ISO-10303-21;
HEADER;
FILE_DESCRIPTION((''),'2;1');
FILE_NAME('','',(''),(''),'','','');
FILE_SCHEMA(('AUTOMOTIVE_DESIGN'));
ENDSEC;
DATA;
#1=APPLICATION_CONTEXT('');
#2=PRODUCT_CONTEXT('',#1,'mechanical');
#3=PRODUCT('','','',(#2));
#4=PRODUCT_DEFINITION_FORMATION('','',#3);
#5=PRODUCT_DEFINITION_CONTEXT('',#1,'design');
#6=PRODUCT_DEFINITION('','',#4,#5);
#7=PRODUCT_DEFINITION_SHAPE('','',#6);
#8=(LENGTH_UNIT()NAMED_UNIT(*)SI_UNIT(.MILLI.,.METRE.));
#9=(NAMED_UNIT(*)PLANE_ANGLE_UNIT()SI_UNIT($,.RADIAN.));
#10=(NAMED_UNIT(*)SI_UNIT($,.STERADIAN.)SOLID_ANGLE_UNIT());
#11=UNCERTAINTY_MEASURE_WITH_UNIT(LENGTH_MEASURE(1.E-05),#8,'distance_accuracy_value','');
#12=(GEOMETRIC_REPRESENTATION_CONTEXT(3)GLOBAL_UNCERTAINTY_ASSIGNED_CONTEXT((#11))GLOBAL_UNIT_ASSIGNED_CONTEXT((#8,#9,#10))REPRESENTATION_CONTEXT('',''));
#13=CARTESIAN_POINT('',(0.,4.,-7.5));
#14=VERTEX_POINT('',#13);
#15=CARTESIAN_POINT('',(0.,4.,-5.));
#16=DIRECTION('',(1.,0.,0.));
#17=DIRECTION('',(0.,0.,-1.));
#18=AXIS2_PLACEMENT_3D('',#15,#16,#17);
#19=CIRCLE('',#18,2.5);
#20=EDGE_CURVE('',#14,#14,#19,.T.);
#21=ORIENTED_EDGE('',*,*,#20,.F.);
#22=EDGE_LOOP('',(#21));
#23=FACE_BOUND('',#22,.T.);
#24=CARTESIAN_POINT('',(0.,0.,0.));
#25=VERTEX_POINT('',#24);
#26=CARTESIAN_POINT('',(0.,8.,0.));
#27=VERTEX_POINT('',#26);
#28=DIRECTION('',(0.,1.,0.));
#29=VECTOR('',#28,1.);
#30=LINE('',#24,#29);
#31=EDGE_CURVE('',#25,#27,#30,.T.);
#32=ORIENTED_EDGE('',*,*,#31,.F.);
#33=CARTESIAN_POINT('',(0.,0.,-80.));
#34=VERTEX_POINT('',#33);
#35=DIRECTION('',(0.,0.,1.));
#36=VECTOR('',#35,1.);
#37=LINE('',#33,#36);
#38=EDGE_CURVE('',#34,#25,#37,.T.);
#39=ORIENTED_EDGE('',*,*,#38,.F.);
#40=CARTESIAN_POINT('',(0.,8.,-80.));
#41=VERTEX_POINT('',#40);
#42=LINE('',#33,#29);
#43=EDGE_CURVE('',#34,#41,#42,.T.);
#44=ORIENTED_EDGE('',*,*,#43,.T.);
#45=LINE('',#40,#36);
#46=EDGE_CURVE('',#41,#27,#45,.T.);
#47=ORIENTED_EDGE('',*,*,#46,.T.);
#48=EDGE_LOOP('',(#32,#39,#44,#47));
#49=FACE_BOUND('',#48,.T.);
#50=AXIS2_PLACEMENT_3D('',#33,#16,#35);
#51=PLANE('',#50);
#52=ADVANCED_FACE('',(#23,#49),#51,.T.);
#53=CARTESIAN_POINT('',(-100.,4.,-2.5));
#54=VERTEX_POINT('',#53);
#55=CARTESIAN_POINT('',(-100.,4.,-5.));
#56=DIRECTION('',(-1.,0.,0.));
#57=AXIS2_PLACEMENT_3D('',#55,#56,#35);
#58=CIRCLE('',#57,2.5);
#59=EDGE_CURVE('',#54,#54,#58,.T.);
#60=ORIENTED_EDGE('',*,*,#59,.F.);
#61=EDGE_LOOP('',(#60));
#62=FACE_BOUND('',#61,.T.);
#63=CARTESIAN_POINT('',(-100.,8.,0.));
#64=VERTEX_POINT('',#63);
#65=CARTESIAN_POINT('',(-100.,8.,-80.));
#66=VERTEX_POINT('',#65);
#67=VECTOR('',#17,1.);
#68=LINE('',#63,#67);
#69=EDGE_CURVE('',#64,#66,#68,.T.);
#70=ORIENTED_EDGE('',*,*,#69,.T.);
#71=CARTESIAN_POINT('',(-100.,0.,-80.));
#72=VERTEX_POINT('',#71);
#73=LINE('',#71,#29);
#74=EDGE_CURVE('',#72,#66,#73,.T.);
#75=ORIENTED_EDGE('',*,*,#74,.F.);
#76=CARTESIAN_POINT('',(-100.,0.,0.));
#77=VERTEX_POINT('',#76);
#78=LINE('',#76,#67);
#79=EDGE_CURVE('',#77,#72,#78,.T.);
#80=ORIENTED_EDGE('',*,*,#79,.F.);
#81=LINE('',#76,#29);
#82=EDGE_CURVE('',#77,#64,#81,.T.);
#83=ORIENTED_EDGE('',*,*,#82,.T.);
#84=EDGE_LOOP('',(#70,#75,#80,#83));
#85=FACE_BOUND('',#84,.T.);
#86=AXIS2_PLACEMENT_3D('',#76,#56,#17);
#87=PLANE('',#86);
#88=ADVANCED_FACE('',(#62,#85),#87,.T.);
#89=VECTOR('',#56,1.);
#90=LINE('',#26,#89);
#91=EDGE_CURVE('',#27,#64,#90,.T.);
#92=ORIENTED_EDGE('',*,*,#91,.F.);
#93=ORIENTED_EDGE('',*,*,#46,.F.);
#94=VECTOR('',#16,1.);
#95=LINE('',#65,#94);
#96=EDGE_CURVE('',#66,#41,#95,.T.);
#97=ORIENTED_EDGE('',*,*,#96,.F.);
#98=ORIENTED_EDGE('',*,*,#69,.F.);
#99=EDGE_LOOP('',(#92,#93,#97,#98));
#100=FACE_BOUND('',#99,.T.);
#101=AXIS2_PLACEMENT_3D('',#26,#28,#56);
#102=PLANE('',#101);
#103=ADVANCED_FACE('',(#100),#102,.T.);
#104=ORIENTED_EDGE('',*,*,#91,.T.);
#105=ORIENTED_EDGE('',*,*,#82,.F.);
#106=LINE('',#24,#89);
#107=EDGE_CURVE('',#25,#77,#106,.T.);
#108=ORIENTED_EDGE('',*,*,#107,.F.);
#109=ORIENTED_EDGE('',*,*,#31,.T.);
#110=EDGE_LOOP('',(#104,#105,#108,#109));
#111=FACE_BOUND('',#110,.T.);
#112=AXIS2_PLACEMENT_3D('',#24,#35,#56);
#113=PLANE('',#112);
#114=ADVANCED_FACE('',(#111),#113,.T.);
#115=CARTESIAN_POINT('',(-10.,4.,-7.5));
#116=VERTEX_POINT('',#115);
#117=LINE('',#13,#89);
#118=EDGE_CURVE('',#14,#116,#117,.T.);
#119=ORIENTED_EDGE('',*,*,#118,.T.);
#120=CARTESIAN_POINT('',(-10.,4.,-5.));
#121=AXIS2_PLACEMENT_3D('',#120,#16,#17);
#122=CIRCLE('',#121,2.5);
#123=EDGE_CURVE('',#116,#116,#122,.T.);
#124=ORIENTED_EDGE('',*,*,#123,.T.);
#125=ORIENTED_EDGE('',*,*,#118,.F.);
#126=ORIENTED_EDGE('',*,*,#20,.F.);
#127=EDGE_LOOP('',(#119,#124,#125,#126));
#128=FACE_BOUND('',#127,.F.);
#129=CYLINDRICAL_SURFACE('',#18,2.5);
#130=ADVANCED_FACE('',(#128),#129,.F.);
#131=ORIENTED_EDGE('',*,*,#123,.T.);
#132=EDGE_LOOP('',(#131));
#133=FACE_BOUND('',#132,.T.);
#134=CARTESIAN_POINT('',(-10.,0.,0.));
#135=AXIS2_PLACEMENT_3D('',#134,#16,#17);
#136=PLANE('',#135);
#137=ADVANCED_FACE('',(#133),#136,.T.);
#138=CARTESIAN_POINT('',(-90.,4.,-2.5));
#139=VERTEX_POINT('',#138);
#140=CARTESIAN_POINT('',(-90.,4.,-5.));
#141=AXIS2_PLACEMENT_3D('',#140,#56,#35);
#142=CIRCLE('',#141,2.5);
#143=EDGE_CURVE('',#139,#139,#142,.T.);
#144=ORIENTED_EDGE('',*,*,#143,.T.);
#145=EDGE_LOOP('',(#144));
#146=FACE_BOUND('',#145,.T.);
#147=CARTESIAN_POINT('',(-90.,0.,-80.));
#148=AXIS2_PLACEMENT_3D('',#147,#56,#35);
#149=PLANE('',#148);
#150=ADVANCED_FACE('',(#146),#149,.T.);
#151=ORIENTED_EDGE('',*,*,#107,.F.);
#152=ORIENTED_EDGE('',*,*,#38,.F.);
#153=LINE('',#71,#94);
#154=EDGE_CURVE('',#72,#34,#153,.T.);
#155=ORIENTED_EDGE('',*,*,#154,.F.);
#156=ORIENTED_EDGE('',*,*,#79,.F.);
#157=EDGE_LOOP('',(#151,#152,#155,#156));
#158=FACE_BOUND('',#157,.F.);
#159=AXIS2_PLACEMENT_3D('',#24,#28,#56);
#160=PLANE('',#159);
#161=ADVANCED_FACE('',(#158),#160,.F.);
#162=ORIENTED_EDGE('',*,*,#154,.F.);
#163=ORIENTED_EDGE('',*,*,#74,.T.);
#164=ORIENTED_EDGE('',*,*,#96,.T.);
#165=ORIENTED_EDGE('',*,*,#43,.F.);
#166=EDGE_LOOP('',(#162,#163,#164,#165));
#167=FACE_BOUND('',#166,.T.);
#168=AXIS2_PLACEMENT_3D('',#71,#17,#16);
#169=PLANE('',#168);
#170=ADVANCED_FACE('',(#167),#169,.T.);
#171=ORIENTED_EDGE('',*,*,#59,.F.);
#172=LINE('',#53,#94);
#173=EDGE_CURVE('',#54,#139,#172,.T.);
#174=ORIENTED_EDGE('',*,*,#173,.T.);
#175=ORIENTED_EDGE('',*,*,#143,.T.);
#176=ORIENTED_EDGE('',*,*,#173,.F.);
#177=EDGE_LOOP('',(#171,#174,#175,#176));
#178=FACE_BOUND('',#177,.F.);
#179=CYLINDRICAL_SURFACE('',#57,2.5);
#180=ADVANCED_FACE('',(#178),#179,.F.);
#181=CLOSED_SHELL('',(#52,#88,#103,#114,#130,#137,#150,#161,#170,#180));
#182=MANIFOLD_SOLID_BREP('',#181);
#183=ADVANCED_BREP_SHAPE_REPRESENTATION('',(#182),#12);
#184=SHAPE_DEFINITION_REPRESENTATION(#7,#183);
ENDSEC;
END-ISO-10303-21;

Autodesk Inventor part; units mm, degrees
ref_plane "YZ Plane" through (0, 0, 0) normal (1, 0, 0) x (0, 1, 0)
ref_plane "XZ Plane" through (0, 0, 0) normal (0, 1, 0) x (-1, 0, 0)
ref_plane "XY Plane" through (0, 0, 0) normal (0, 0, 1) x (1, 0, 0)
sketch "草圖1" plane through (0, 0, 0) normal (0, 1, 0) x (-1, 0, 0)
  line L0 (0, 0) -> (100, 0)
  line L1 (100, 0) -> (100, -80)
  line L2 (100, -80) -> (0, -80)
  line L3 (0, -80) -> (0, 0)
  dimension "d0" = 100
  dimension "d1" = 80
extrude "擠出1" add sketch "草圖1" along normal blind 8
sketch "草圖2" plane through (0, 0, 0) normal (1, 0, 0) x (0, 0, -1)
  circle A0 centre (5, 4) radius 2.5
  line L0 (0, 0) -> (0, 8) projected
  line L1 (0, 8) -> (80, 8) projected
  point P0 (0, 4)
  dimension "d4" = 5
  dimension "d5" = 5
  dimension "d6" = 4
extrude "擠出2" cut sketch "草圖2" against normal blind 10
sketch "草圖3" plane through (-100, 0, -80) normal (-1, 0, 0) x (0, 0, 1)
  circle A0 centre (75, 4) radius 2.5 projected
  circle A1 centre (75, 4) radius 2.5
  point P0 (80, 0)
extrude "擠出3" cut sketch "草圖3" against normal blind 10
sketch "草圖4" plane through (-100, 0, -80) normal (-1, 0, 0) x (0, 0, 1)
  point P0 (80, 0)
properties part number "MoneyCase_Lid"
